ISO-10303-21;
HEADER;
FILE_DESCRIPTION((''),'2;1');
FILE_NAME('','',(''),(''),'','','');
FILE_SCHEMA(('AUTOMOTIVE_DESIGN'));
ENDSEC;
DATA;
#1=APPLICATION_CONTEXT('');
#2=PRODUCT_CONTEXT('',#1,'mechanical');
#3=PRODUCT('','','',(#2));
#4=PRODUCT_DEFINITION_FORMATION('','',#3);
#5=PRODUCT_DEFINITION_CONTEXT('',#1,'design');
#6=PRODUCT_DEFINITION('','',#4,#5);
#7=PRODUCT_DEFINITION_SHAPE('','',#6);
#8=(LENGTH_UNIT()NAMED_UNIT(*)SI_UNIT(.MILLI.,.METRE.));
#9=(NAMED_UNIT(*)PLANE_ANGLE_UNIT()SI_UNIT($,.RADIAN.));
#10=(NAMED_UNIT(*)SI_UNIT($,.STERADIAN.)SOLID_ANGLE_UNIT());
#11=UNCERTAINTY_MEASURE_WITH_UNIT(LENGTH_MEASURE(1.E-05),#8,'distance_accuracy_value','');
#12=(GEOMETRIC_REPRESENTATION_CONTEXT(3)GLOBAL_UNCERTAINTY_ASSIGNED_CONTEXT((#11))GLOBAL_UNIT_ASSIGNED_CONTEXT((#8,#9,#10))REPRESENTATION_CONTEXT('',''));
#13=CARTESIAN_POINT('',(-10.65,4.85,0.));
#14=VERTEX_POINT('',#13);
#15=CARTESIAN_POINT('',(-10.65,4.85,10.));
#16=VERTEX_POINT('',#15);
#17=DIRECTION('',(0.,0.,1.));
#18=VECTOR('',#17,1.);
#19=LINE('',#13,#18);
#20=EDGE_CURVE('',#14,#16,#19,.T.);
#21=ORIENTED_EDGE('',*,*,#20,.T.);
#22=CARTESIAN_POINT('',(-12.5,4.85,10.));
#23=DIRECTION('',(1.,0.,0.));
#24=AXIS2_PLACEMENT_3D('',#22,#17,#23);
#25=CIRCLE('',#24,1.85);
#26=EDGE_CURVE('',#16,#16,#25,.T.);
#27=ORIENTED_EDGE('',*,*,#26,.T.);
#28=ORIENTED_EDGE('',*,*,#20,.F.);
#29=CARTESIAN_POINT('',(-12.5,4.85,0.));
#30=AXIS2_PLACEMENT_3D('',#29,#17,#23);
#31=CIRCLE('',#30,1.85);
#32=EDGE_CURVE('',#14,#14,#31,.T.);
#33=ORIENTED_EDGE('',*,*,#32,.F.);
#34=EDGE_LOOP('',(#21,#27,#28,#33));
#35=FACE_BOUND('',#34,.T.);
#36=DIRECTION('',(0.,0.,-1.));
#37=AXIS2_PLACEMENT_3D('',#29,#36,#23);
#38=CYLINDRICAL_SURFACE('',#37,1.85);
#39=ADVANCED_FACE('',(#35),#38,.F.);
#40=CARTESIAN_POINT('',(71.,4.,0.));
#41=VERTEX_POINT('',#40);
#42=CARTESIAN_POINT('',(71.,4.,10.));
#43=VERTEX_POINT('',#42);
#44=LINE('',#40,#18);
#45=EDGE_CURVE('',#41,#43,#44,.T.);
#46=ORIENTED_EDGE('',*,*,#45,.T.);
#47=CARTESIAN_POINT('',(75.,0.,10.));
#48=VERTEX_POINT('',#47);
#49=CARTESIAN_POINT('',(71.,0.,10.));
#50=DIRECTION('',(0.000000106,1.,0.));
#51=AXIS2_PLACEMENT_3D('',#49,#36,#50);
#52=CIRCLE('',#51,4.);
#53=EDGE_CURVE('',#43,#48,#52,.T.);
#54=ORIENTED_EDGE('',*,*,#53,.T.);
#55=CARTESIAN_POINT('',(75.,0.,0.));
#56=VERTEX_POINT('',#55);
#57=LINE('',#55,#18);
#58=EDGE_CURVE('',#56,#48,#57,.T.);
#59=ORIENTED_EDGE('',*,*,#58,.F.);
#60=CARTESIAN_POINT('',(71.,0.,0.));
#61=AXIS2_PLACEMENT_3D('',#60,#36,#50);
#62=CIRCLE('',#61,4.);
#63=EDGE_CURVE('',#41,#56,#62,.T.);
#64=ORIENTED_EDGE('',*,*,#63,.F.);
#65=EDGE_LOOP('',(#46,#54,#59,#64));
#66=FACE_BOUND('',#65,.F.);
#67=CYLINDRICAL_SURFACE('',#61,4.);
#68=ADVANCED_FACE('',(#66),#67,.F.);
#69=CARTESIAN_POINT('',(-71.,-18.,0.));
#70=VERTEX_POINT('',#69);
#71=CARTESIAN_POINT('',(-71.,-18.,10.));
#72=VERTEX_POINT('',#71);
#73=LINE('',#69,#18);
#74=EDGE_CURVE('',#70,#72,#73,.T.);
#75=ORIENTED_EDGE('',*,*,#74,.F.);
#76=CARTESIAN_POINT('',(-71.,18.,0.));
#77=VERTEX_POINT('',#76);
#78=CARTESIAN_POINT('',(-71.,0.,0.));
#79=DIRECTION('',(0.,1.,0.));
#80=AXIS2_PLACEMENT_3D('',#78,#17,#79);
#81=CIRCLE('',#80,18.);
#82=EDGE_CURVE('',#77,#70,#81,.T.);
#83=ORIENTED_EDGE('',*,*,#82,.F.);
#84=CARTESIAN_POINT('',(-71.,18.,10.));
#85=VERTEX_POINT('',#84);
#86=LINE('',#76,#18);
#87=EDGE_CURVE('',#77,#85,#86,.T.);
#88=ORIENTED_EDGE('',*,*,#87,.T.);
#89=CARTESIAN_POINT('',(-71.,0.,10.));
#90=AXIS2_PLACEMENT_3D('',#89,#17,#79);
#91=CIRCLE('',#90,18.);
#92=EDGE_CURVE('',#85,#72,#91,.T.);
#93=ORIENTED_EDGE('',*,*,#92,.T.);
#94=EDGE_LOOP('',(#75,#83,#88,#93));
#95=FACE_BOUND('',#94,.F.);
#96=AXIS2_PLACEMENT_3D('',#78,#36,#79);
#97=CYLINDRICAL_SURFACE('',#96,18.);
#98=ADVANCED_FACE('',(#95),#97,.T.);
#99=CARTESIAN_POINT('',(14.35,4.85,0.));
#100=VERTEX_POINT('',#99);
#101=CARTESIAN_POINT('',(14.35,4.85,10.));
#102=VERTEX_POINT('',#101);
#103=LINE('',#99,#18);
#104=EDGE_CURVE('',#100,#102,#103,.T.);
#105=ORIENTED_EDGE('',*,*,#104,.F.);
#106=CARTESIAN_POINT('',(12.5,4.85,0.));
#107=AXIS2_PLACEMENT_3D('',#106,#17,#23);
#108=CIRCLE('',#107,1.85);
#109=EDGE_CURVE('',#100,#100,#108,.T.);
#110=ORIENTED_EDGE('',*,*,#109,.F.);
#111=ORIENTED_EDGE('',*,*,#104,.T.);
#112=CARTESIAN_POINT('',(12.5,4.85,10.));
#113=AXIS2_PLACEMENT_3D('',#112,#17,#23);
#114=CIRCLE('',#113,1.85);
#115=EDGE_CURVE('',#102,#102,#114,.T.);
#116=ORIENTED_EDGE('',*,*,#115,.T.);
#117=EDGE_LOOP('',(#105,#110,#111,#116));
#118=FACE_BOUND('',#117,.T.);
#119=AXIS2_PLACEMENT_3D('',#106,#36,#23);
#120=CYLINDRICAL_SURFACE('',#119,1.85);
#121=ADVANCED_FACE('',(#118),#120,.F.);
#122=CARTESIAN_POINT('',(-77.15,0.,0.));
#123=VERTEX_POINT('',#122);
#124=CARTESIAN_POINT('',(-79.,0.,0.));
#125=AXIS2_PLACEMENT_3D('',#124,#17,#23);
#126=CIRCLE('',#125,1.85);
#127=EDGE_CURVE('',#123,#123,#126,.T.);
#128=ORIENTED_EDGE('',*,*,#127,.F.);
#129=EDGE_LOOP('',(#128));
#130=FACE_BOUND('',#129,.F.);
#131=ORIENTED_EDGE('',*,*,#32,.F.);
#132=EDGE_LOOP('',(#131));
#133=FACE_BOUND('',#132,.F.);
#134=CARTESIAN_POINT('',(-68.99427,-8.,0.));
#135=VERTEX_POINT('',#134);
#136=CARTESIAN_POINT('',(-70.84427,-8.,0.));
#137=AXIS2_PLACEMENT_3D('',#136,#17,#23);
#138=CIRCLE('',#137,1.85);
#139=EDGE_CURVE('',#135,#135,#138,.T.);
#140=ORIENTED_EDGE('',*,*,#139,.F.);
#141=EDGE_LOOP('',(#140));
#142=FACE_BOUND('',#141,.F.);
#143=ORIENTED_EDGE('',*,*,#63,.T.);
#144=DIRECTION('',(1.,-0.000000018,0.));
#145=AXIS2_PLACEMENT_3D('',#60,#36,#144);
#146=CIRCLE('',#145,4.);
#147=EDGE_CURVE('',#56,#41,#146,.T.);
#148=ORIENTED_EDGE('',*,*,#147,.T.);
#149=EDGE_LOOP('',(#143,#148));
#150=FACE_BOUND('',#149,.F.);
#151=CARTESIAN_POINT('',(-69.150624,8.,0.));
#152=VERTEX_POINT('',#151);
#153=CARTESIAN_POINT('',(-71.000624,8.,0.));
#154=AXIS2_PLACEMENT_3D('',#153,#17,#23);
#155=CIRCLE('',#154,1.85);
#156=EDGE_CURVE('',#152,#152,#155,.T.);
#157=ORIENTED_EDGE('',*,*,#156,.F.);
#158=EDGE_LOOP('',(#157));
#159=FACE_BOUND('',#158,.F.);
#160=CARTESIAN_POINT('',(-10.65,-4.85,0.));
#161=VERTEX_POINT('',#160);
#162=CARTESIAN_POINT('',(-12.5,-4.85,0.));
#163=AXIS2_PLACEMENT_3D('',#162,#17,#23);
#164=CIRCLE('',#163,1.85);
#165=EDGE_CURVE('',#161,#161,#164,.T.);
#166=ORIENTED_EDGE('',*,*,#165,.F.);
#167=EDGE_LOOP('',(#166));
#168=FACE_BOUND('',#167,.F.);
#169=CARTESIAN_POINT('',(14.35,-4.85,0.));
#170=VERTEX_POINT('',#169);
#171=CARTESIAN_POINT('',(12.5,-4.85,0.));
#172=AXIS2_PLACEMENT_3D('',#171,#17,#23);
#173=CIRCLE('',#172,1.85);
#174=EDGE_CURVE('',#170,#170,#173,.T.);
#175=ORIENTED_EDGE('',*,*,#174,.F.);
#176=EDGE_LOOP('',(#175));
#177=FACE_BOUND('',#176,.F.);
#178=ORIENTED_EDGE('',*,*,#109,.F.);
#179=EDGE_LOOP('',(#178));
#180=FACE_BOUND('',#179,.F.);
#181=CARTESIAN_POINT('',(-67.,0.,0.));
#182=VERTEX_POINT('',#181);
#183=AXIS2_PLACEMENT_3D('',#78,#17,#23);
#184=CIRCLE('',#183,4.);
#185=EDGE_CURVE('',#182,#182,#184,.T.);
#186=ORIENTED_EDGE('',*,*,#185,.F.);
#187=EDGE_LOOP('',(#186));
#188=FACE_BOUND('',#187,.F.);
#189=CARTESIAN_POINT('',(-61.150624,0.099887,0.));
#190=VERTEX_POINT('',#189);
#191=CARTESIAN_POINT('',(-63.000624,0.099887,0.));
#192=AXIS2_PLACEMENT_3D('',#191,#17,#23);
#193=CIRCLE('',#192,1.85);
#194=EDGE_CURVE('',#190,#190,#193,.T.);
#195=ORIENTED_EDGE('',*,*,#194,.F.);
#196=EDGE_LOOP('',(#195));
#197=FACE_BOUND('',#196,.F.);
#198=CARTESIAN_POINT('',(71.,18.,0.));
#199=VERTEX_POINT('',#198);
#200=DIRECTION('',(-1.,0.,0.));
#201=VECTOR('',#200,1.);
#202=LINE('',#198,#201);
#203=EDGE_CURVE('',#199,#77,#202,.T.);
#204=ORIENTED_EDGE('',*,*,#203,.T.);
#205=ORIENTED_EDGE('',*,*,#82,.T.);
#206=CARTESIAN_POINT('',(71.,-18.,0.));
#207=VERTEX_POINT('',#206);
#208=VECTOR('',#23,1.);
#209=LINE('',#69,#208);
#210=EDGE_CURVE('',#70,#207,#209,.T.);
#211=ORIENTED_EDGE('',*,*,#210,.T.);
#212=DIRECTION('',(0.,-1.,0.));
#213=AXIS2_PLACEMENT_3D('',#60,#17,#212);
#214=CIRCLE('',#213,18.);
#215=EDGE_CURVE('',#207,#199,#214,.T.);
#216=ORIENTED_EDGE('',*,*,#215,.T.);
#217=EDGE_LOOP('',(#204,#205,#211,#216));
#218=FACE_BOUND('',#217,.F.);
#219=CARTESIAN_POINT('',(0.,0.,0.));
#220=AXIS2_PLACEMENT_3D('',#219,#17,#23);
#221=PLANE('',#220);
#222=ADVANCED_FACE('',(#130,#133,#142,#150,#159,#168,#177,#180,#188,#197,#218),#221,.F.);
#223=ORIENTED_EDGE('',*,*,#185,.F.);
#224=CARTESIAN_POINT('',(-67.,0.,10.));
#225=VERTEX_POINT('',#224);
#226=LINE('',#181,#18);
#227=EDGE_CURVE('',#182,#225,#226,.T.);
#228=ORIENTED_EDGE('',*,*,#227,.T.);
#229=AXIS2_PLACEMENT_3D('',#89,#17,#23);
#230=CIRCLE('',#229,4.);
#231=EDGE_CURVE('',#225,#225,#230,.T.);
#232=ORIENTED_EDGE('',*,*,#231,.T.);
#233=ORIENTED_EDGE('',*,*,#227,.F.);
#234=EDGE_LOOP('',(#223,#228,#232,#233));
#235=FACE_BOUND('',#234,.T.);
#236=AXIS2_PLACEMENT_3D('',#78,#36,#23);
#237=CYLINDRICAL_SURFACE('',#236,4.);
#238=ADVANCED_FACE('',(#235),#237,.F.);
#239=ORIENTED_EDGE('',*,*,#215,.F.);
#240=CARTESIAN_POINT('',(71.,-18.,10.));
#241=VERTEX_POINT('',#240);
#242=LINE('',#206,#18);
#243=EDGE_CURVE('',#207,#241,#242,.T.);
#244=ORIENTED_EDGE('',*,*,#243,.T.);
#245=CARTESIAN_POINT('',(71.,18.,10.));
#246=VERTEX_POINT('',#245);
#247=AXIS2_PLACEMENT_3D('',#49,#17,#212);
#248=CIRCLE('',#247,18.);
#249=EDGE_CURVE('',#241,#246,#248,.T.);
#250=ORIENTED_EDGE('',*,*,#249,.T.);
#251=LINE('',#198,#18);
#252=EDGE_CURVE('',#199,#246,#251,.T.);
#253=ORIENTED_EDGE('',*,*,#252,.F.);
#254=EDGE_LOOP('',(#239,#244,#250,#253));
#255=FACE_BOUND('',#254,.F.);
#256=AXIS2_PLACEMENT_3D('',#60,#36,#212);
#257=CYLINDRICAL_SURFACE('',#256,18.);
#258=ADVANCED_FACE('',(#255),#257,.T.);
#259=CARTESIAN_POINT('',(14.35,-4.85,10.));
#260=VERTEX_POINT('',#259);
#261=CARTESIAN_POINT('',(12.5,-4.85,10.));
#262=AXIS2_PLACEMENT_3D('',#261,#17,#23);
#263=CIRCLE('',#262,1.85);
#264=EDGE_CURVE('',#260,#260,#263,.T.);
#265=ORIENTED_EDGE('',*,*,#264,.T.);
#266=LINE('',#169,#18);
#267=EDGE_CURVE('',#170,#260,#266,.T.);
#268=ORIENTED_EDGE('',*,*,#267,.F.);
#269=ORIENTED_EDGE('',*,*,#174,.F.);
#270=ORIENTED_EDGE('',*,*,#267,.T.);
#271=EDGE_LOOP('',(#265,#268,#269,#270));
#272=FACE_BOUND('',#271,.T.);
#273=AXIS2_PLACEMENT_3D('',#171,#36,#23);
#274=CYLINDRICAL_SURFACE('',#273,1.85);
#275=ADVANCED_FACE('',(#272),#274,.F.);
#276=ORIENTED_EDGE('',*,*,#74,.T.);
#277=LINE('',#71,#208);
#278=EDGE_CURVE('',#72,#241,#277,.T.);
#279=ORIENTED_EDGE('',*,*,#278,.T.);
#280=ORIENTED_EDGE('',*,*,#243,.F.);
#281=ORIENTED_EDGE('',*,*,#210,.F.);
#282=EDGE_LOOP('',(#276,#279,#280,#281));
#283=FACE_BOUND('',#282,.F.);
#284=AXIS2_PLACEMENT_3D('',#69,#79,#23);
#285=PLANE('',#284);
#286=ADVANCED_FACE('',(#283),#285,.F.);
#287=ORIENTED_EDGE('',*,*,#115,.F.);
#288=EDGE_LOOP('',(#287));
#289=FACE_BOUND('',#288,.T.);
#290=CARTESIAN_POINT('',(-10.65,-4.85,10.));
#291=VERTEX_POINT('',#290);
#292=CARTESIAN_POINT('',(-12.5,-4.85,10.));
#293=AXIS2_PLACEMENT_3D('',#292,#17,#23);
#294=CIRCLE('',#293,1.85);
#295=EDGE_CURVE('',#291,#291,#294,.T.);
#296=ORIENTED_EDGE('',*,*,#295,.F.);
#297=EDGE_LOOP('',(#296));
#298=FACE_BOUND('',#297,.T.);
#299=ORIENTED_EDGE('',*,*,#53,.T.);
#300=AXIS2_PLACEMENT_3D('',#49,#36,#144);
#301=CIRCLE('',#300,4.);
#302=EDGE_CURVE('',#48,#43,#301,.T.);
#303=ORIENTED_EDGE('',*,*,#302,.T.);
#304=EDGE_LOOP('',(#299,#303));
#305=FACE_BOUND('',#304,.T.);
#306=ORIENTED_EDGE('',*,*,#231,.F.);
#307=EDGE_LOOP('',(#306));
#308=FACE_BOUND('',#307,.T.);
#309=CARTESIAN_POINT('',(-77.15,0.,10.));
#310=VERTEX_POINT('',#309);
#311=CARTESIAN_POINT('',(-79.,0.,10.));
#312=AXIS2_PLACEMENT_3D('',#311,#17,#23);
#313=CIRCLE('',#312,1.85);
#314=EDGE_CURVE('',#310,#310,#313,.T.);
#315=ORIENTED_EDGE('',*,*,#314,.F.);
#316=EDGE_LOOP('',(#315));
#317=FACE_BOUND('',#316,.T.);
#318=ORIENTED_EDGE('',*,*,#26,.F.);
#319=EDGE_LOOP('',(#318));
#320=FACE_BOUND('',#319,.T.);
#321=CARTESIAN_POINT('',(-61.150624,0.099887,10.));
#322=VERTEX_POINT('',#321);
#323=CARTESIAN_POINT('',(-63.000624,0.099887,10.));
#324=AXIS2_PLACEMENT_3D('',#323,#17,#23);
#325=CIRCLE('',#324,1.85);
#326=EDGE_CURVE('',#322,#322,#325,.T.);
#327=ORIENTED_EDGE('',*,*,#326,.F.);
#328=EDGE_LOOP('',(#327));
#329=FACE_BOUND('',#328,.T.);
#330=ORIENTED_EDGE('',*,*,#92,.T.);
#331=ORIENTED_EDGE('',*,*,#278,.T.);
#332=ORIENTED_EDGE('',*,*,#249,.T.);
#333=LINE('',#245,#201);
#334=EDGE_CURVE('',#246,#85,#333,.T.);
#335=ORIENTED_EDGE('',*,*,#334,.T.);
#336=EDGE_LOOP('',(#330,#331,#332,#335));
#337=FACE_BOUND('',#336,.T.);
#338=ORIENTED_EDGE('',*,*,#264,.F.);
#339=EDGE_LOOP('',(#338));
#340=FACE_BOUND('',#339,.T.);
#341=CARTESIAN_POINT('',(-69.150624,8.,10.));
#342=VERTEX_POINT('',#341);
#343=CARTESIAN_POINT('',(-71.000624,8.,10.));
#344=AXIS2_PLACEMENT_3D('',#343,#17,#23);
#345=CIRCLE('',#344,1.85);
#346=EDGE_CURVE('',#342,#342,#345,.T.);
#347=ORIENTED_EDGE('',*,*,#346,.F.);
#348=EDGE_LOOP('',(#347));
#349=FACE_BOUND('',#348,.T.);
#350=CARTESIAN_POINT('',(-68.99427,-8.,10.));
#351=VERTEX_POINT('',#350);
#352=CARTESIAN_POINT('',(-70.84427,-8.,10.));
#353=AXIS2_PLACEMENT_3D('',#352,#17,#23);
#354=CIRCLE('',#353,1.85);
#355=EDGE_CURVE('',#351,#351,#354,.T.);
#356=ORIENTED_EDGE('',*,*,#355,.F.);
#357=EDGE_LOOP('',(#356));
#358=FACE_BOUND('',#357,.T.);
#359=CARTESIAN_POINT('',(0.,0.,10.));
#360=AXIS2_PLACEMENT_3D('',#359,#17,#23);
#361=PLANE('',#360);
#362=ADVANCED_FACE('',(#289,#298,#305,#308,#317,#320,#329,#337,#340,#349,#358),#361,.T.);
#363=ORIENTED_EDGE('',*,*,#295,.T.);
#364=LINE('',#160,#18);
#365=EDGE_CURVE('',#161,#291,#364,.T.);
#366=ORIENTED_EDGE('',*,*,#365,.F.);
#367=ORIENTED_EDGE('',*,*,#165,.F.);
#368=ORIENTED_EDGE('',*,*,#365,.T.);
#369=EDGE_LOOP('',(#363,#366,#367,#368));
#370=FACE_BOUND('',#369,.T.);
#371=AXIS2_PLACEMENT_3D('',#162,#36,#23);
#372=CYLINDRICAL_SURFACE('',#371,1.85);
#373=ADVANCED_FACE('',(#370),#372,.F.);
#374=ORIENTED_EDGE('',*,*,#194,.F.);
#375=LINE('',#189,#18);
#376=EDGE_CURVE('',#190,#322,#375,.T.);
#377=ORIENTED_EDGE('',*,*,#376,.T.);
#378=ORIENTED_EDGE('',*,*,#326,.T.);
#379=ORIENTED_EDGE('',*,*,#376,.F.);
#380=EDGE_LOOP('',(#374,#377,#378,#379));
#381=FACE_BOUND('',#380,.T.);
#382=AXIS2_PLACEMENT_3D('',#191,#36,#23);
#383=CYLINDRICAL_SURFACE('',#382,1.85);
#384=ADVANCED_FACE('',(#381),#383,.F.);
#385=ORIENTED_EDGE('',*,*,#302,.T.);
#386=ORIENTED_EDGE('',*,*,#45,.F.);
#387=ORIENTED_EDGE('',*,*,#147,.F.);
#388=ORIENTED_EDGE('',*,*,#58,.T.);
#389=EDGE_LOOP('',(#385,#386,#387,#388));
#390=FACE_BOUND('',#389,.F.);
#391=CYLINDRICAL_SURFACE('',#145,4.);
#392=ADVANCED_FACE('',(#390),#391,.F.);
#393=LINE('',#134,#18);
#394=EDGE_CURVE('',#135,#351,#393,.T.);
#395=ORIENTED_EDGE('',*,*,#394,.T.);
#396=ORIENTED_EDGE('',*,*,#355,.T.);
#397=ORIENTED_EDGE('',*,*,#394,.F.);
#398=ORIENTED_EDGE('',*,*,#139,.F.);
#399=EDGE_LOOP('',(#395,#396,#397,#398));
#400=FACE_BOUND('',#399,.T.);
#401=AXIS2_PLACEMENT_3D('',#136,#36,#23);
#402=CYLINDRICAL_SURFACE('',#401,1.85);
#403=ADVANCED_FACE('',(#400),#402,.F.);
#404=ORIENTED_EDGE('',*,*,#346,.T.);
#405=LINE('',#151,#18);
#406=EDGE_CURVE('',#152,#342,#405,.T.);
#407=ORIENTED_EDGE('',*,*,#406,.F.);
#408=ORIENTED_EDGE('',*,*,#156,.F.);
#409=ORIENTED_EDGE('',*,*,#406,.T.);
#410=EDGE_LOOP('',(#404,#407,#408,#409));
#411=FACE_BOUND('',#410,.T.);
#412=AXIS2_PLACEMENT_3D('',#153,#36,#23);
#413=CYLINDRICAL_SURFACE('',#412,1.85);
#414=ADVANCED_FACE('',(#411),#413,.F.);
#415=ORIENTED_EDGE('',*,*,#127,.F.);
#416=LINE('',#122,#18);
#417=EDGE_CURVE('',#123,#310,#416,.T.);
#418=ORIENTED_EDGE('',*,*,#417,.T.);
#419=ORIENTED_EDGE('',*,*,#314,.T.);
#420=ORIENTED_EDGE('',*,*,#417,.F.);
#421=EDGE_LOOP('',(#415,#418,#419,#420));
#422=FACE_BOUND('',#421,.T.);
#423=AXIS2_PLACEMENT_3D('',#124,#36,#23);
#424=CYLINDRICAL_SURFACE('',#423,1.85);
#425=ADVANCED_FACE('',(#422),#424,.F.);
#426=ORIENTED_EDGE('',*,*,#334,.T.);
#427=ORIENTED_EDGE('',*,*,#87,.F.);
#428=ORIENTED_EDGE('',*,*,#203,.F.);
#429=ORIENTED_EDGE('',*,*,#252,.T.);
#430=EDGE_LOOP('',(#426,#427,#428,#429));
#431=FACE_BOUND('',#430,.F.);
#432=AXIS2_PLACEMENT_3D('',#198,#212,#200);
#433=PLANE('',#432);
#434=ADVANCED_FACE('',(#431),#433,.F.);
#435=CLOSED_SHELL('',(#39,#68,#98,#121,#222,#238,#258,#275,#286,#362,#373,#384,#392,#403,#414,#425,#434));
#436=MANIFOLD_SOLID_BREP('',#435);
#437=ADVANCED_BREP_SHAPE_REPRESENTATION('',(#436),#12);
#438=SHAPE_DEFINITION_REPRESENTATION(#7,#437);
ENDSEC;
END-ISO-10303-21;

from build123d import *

# Parameters (mm, degrees)
F0_R     = 1.85
F0_R_2   = 4
F1_DEPTH = 10


with BuildPart() as f1:
    # F0 (on Top) → F1 (new body)
    with BuildSketch(Plane.XY):
        with BuildLine():
            Line((-71, -18), (71, -18))
            ThreePointArc((71, -18), (89, 0), (71, 18))
            Line((71, 18), (-71, 18))
            ThreePointArc((-71, 18), (-89, 0), (-71, -18))
        make_face()
        with Locations((-70.84427, -8)):
            Circle(F0_R, mode=Mode.SUBTRACT)
        with Locations((-12.5, -4.85)):
            Circle(F0_R, mode=Mode.SUBTRACT)
        with Locations((12.5, -4.85)):
            Circle(F0_R, mode=Mode.SUBTRACT)
        with Locations((-79, 0)):
            Circle(F0_R, mode=Mode.SUBTRACT)
        with Locations((-71, 0)):
            Circle(F0_R_2, mode=Mode.SUBTRACT)
        with Locations((-63.000624, 0.099887)):
            Circle(F0_R, mode=Mode.SUBTRACT)
        with Locations((-71.000624, 8)):
            Circle(F0_R, mode=Mode.SUBTRACT)
        with Locations((-12.5, 4.85)):
            Circle(F0_R, mode=Mode.SUBTRACT)
        with Locations((12.5, 4.85)):
            Circle(F0_R, mode=Mode.SUBTRACT)
        with BuildLine():
            ThreePointArc((71, 4), (73.828427, 2.828427), (75, 0))
            ThreePointArc((75, 0), (68.171573, -2.828427), (71, 4))
        make_face(mode=Mode.SUBTRACT)
    extrude(amount=F1_DEPTH)


solid = f1.part
